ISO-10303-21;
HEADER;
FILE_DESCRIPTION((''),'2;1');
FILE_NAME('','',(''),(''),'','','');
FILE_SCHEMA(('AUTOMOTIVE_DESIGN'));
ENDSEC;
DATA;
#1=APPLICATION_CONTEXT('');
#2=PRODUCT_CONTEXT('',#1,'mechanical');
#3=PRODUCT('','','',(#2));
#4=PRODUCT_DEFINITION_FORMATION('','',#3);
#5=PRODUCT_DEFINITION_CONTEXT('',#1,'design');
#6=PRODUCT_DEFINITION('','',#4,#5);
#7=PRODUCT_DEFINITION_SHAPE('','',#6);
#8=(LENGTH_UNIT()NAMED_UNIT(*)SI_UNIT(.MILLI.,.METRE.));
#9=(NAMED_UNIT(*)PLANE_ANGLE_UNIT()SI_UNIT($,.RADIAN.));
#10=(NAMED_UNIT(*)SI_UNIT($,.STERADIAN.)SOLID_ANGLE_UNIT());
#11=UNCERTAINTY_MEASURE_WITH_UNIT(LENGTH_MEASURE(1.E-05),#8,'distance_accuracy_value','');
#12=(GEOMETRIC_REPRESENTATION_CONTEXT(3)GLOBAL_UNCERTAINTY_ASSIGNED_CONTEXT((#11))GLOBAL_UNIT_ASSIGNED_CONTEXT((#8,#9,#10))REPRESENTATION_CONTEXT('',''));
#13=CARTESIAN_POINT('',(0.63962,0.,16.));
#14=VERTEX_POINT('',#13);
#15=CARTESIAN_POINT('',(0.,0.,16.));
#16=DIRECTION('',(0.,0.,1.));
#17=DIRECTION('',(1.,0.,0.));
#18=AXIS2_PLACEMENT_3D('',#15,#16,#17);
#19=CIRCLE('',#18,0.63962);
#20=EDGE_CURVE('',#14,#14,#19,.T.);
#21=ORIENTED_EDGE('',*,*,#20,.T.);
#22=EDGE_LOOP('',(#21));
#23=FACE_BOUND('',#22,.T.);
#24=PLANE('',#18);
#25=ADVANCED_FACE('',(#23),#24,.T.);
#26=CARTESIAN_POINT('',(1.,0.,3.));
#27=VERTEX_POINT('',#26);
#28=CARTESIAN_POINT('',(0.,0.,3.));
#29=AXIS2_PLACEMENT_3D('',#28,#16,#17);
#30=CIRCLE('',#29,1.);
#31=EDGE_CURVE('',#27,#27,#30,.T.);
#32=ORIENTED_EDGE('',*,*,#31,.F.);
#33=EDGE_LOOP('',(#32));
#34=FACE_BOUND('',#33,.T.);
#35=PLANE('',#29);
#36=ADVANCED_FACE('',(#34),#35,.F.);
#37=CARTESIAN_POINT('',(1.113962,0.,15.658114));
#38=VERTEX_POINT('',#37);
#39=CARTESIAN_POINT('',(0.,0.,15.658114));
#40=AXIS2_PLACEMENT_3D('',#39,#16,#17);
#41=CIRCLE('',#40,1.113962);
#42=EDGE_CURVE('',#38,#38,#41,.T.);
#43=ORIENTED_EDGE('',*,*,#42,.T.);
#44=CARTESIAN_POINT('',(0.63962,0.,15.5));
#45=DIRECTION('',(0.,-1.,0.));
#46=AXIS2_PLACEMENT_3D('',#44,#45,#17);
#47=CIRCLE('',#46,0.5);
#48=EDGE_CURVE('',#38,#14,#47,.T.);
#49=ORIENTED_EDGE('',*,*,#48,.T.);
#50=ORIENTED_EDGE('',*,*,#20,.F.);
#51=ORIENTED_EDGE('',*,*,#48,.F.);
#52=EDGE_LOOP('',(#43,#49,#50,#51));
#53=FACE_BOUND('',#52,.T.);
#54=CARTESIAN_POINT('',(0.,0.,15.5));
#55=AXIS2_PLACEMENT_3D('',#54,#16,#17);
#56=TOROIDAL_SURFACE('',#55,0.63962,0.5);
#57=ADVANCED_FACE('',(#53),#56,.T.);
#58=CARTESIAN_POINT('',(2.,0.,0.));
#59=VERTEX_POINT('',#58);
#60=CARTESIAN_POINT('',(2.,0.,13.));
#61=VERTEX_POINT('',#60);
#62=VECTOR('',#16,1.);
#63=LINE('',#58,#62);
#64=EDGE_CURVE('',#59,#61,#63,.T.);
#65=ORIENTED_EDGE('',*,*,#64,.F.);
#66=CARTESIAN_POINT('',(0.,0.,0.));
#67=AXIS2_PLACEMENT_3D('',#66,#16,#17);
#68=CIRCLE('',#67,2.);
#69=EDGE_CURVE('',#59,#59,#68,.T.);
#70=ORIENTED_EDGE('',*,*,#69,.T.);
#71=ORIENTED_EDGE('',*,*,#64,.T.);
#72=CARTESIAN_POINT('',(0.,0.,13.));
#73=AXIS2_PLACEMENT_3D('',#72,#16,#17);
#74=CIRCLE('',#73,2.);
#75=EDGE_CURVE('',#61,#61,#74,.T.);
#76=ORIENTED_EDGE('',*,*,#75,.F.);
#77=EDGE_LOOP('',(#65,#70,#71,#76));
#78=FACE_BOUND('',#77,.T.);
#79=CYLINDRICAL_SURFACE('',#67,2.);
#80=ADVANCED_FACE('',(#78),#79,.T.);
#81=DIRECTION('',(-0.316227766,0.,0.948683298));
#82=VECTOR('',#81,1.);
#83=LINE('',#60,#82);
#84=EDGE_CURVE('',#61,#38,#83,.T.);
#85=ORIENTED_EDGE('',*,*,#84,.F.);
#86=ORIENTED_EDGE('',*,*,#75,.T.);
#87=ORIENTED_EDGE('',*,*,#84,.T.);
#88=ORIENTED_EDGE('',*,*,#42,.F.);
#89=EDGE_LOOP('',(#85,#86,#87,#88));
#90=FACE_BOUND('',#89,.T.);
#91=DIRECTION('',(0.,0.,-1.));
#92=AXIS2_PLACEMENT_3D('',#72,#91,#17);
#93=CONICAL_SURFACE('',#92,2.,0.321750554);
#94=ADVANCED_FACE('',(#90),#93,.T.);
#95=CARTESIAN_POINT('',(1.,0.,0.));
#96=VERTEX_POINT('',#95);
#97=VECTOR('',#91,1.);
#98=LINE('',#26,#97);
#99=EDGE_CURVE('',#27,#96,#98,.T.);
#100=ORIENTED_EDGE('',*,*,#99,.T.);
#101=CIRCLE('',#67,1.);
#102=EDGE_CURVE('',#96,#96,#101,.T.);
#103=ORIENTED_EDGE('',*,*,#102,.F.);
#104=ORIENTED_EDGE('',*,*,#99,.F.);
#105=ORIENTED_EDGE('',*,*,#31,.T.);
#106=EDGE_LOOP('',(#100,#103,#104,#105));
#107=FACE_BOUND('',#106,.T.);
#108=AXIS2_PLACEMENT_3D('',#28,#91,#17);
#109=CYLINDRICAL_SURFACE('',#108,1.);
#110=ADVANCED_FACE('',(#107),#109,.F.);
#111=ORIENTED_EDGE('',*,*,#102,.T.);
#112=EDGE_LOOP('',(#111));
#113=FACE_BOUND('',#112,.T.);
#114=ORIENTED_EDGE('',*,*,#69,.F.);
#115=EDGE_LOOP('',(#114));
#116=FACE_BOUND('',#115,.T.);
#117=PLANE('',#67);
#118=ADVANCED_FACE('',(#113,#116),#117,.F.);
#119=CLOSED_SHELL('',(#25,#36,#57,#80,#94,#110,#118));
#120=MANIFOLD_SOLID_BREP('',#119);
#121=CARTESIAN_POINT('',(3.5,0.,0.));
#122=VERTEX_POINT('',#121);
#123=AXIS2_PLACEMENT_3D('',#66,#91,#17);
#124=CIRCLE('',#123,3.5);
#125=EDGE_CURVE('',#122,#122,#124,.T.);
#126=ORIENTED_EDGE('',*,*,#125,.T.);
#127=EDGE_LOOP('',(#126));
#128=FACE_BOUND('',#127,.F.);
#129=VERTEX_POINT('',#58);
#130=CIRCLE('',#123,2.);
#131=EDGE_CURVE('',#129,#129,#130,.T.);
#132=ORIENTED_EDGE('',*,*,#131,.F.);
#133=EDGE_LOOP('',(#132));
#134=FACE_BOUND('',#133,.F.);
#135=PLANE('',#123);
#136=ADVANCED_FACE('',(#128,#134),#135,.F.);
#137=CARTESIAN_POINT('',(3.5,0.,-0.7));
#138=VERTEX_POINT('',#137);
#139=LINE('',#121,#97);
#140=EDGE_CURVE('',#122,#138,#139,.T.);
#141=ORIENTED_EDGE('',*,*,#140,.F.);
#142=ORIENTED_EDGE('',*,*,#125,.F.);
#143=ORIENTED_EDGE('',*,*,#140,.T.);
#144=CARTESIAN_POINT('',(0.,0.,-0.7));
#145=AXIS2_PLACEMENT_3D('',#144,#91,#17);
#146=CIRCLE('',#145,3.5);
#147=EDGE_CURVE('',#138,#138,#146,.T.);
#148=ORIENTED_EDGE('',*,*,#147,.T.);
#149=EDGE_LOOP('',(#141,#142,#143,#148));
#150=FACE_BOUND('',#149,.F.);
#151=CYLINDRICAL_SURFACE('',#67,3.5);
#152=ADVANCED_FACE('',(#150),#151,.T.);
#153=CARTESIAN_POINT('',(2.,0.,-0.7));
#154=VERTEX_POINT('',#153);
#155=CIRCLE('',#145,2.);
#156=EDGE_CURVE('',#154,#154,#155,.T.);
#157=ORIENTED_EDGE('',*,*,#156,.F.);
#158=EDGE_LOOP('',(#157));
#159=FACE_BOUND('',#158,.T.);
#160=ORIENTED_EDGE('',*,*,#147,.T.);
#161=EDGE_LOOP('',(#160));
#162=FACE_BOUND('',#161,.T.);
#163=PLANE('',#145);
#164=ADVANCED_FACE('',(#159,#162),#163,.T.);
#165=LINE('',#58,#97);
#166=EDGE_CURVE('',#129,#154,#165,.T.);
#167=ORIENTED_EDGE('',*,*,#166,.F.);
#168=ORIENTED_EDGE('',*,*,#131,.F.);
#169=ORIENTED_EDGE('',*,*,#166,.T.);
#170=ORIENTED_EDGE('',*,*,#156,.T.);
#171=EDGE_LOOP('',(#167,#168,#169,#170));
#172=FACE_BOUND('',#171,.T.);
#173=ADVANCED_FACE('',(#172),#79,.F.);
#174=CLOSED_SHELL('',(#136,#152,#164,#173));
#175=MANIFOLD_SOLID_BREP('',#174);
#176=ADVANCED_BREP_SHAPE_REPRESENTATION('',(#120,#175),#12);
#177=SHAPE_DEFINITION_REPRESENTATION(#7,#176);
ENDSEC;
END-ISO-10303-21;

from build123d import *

# Parameters (mm, degrees)
F2_R     = 3.5
F2_R_2   = 2
F3_DEPTH = 0.7
F4_R     = 0.5


with BuildPart() as f1:
    # F0 (on Front) → F1 (revolve)
    with BuildSketch(Plane.XZ):
        Polygon((0, 16), (0, 3), (1, 3), (1, 0), (2, 0), (2, 13), (1, 16), align=None)
    revolve(axis=Axis((0, 0, 8), (0, 0, 1)))

    # F4
    f4_edges = [f1.edges().sort_by_distance(p)[0] for p in [
        (-1, 0, 16),
    ]]
    fillet(f4_edges, radius=F4_R)


with BuildPart() as f3:
    # F2 (on face) → F3 (new body)
    with BuildSketch(Plane(origin=(0, 0, 0), x_dir=(1, 0, 0), z_dir=(0, 0, -1))):
        Circle(F2_R)
        Circle(F2_R_2, mode=Mode.SUBTRACT)
    extrude(amount=F3_DEPTH)


solid = Compound([f1.part, f3.part])
